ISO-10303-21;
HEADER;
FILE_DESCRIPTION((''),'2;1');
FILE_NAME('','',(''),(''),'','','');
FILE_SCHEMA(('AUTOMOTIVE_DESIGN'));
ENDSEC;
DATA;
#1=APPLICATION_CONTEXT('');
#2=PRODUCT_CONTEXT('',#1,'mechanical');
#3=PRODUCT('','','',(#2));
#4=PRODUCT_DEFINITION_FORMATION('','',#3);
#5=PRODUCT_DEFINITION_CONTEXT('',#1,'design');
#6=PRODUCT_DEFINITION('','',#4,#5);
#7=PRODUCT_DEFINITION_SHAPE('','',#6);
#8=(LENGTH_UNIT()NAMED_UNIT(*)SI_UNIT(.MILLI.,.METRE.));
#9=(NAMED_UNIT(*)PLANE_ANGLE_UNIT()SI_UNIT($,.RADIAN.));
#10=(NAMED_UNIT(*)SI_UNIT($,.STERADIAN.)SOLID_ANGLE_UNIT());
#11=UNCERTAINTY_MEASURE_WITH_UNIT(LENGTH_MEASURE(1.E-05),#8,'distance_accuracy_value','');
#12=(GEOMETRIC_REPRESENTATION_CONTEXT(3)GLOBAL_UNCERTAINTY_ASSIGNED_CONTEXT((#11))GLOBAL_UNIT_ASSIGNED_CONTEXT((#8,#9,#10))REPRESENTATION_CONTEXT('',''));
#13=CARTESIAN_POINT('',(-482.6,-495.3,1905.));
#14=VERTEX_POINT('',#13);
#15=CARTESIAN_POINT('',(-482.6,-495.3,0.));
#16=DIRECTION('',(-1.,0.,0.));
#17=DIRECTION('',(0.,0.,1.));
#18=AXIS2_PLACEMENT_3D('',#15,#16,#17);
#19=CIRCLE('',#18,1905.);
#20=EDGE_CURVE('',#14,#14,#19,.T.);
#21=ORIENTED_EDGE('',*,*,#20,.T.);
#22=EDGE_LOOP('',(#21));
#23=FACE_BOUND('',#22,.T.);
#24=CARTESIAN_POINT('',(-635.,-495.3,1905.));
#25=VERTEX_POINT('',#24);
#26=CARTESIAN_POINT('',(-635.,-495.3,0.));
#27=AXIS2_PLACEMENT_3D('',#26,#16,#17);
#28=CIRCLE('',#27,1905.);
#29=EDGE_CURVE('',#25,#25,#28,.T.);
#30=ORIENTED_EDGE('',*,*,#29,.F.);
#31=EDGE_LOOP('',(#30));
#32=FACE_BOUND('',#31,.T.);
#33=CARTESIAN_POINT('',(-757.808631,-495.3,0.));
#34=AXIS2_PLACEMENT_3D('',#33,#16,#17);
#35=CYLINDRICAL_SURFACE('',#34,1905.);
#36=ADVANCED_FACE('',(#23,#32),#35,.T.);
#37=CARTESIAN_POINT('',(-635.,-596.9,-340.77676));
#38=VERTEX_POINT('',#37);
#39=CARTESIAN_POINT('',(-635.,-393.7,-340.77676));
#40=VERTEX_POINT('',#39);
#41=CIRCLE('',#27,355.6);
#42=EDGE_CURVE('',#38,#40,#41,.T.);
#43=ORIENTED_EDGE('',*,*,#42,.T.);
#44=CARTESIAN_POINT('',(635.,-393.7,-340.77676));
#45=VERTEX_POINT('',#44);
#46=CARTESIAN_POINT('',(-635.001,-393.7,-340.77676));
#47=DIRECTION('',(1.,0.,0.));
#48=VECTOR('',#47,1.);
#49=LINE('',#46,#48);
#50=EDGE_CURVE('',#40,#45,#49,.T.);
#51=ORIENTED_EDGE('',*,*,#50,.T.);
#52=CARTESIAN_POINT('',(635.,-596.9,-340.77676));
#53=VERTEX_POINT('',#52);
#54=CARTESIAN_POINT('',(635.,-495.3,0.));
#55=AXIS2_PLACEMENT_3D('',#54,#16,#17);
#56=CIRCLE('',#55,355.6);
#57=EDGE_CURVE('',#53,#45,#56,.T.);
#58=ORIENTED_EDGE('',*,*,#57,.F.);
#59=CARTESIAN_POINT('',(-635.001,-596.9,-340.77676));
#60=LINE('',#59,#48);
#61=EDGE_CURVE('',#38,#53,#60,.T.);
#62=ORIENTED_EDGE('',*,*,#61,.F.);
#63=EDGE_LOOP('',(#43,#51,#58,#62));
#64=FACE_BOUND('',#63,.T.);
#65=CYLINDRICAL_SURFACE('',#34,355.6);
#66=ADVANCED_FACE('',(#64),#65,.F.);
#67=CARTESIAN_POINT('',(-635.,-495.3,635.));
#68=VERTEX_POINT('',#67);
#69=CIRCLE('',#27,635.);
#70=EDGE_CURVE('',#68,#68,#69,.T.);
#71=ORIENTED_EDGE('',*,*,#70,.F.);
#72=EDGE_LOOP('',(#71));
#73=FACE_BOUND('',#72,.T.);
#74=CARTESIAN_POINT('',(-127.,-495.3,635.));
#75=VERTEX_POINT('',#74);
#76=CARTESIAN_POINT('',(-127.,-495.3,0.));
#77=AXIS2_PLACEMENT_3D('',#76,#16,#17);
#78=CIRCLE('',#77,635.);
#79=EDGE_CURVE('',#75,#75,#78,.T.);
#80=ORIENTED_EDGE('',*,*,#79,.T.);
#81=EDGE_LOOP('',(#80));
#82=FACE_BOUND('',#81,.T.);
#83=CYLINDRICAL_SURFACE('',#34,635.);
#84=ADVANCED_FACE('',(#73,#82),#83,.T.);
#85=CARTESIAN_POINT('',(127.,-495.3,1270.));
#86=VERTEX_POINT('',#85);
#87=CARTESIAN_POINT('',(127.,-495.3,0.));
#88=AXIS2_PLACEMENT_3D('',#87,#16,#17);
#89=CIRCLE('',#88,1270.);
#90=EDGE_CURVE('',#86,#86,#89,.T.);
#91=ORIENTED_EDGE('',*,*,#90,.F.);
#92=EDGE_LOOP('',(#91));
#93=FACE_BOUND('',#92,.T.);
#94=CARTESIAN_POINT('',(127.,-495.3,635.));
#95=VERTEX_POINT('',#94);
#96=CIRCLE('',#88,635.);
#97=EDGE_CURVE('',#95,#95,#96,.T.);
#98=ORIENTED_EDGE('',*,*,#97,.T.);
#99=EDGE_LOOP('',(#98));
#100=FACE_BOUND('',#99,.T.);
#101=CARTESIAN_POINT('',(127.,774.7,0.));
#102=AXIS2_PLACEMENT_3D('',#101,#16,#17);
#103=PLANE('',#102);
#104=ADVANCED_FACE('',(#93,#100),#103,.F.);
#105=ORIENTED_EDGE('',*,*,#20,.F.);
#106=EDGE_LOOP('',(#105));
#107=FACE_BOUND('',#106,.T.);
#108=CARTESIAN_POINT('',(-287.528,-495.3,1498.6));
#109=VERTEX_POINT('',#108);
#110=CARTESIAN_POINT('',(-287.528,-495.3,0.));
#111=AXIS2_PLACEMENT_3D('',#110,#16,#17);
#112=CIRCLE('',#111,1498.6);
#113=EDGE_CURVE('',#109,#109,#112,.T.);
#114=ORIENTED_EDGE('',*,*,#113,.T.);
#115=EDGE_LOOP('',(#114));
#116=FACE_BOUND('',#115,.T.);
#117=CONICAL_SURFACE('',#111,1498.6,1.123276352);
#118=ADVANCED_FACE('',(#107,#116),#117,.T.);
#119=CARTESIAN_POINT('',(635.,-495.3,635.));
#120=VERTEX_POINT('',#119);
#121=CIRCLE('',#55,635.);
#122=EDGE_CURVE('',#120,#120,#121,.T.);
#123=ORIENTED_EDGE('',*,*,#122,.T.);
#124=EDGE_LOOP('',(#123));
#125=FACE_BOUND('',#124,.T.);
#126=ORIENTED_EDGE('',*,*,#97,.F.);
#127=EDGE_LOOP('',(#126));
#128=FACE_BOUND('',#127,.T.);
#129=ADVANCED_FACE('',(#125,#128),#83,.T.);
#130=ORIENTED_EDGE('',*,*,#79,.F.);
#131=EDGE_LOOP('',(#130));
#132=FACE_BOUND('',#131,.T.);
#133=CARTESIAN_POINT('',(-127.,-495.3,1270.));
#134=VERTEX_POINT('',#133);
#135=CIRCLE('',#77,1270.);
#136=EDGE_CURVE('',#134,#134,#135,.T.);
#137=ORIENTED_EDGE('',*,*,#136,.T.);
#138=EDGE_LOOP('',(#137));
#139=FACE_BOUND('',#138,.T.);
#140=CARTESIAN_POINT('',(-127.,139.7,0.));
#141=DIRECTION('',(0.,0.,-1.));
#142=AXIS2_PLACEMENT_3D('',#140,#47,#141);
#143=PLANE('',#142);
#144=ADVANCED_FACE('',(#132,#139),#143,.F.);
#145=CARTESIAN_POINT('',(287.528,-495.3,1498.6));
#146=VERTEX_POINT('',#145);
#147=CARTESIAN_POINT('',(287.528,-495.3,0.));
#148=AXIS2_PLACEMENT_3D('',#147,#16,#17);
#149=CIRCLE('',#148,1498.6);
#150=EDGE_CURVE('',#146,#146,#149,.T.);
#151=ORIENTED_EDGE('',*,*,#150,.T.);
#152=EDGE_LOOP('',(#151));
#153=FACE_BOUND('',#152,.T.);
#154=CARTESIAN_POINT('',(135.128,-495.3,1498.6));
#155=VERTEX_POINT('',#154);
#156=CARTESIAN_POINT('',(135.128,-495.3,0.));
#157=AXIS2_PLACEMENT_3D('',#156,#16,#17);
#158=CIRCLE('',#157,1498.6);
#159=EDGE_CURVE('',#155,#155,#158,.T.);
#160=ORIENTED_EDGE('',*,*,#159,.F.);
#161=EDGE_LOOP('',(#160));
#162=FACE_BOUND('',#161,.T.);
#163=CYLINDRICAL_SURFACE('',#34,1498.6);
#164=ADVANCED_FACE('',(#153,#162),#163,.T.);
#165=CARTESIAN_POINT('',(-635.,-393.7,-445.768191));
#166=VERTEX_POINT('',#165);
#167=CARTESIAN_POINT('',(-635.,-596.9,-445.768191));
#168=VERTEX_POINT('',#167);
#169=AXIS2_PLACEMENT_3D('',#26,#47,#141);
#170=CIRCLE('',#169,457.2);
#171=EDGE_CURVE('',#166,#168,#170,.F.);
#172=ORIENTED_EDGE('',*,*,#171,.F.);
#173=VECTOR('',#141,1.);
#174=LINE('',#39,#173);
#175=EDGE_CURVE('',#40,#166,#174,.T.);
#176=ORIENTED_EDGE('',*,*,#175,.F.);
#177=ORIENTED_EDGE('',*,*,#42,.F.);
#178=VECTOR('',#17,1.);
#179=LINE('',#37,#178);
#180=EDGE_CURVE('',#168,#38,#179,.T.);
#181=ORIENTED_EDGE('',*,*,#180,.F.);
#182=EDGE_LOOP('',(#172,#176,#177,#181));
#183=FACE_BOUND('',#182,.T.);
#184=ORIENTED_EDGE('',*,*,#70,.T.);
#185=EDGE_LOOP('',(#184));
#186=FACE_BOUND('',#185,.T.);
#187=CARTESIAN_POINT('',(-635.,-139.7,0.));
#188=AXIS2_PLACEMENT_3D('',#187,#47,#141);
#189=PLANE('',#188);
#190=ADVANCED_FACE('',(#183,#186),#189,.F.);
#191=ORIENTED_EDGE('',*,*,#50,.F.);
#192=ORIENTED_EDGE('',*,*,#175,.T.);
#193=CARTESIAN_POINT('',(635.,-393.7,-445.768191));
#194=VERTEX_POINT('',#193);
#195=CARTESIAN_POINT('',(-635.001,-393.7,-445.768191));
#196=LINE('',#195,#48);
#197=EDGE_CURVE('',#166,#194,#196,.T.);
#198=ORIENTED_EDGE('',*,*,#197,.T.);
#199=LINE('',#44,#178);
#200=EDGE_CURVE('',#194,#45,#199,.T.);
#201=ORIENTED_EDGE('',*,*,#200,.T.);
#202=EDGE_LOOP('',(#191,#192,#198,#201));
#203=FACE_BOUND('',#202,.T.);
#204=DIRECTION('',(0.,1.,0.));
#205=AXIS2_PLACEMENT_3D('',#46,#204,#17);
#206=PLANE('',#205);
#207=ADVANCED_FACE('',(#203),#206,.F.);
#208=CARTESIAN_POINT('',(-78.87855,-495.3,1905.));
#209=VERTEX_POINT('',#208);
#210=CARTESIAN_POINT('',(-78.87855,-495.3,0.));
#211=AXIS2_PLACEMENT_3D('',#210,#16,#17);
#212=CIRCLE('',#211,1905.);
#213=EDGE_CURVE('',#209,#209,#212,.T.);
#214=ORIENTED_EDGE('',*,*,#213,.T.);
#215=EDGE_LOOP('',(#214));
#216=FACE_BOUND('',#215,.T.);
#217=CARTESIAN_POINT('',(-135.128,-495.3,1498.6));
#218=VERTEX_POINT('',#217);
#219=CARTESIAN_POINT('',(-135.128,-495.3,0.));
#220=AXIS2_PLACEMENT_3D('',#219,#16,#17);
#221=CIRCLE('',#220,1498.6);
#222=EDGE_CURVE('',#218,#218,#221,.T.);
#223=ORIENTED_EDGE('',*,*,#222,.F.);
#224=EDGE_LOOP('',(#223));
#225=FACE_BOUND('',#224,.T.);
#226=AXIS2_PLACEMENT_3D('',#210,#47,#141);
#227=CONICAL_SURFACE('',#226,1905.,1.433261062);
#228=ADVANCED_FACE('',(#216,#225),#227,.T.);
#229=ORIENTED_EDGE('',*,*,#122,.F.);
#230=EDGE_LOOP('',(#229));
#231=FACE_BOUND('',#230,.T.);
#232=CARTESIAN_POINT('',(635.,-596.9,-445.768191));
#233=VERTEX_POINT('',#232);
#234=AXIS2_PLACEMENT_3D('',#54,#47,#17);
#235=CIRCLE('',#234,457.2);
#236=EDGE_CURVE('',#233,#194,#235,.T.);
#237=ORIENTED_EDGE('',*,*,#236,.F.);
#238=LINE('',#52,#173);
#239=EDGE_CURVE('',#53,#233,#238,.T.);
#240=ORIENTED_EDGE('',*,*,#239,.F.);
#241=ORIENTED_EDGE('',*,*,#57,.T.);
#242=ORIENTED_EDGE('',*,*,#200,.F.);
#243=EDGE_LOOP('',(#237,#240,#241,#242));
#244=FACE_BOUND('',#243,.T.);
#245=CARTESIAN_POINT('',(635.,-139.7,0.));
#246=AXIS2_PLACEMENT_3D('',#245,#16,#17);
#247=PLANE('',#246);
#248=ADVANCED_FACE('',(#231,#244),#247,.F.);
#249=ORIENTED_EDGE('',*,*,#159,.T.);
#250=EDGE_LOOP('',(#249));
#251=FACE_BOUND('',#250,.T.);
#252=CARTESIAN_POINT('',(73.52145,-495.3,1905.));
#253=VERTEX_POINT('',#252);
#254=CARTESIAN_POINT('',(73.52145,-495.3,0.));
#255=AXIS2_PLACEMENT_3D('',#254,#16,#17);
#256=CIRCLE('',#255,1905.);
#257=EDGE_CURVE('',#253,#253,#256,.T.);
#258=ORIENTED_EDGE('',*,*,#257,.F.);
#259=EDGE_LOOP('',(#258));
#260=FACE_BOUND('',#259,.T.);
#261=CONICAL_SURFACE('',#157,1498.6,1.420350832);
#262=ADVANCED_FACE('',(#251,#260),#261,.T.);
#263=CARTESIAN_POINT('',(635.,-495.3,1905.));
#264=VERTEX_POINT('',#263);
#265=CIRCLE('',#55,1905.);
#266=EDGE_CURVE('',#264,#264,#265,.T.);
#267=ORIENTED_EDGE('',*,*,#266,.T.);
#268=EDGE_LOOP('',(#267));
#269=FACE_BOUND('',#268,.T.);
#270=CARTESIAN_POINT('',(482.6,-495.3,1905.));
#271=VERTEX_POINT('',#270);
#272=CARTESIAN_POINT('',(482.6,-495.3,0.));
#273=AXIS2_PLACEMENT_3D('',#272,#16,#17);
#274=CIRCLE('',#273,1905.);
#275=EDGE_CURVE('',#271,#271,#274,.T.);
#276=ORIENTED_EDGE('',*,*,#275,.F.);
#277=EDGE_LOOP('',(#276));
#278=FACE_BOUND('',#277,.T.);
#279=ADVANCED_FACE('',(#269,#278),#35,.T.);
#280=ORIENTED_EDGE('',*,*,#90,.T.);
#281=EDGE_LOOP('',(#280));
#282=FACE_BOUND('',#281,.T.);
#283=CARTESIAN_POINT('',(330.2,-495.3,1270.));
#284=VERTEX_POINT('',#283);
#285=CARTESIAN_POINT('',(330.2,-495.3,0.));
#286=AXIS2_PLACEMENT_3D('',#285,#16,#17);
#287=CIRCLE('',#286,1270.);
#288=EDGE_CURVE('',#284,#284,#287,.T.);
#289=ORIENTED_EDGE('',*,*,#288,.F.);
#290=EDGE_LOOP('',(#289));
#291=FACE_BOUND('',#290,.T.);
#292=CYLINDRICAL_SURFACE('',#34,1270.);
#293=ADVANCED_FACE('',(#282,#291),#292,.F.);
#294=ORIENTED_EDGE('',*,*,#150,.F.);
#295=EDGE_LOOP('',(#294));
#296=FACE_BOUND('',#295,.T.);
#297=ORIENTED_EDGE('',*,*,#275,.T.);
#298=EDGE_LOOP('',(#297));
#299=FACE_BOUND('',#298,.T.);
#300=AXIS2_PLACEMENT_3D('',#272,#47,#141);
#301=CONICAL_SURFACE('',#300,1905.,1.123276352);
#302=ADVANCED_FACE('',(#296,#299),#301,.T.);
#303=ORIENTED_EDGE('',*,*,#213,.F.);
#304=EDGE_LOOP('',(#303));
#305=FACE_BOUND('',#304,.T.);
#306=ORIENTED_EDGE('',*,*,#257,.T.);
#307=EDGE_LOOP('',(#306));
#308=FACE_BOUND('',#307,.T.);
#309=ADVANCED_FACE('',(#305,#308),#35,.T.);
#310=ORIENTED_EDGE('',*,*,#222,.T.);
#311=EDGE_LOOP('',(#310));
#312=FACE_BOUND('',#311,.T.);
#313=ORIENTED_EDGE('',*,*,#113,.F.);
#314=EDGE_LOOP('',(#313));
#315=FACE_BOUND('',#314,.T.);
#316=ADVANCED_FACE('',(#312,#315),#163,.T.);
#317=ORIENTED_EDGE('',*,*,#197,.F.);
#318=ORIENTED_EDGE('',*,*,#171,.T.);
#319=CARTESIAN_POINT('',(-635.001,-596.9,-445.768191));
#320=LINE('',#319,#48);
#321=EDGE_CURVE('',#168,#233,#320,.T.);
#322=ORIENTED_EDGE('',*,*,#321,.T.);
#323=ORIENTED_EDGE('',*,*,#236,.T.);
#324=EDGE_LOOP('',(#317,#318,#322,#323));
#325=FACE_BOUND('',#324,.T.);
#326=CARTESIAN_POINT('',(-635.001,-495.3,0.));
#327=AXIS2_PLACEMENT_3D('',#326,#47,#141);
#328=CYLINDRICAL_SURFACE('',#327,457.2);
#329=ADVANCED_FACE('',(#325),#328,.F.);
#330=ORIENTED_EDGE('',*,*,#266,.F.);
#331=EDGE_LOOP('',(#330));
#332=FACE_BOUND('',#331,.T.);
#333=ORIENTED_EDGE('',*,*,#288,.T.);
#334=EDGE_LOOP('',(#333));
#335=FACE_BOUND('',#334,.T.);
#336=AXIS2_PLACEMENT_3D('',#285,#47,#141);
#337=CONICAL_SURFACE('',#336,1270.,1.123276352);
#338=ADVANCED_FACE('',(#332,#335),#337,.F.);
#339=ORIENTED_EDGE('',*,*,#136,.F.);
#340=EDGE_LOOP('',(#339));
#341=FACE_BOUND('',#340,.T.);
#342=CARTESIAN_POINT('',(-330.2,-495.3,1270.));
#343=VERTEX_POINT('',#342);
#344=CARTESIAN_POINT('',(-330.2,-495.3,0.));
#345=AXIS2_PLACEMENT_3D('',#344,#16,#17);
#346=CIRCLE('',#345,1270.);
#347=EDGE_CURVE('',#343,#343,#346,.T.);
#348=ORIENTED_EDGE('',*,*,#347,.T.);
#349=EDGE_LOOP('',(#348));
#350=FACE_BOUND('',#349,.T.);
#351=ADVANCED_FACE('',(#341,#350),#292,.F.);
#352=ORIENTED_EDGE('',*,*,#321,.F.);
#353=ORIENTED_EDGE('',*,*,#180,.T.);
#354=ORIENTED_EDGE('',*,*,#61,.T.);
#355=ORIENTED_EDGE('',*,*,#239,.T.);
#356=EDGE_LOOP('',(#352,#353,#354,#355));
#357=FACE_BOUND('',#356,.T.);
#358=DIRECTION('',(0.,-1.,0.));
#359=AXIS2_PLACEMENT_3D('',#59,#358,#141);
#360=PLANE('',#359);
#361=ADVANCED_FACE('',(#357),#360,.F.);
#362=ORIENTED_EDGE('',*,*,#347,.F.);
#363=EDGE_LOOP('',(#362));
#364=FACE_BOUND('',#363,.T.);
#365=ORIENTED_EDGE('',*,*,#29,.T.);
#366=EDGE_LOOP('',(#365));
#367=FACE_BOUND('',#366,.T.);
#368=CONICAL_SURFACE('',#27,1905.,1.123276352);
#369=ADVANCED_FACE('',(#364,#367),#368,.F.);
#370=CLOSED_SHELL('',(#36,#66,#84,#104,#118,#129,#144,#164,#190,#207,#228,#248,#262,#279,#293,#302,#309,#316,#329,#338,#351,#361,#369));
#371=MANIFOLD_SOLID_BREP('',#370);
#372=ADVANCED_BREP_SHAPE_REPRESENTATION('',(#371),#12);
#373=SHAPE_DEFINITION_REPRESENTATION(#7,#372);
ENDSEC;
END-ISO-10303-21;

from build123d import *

# Parameters (mm, degrees)
CORTAR_EXTRUIR2_REACH = 3319.132


with BuildPart() as part:
    # Croquis3 → Revolución1 (revolve)
    with BuildSketch(Plane.XY, mode=Mode.PRIVATE) as revoluci_n1_sk:
        Polygon((-127, 139.7), (-127, 774.7), (-330.2, 774.7), (-635, 1409.7), (-482.6, 1409.7), (-287.528, 1003.3), (-135.128, 1003.3), (-78.878549621, 1409.7), (73.521450379, 1409.7), (135.128, 1003.3), (287.528, 1003.3), (482.6, 1409.7), (635, 1409.7), (330.2, 774.7), (127, 774.7), (127, 139.7), (635, 139.7), (635, -139.7), (-635, -139.7), (-635, 139.7), align=None)
    revolve(revoluci_n1_sk.sketch.rotate(Axis((-757.808630679, -495.3, 0), (1, 0, 0)), 90), axis=Axis((-757.808630679, -495.3, 0), (1, 0, 0)))

    # Croquis4 → Cortar-Extruir2 (cut, up to next)
    with BuildSketch(Plane(origin=(635, 0, 0), x_dir=(0, 0, -1), z_dir=(1, 0, 0)), mode=Mode.PRIVATE) as cortar_extruir2_sk1:
        with BuildLine():
            Line((340.776759771, -393.7), (445.76819088, -393.7))
            ThreePointArc((445.76819088, -393.7), (457.2, -495.3), (445.76819088, -596.9))
            Line((445.76819088, -596.9), (340.776759771, -596.9))
            ThreePointArc((340.776759771, -596.9), (355.6, -495.3), (340.776759771, -393.7))
        make_face()
    cortar_extruir2_tool1 = extrude(cortar_extruir2_sk1.sketch, amount=-CORTAR_EXTRUIR2_REACH, mode=Mode.PRIVATE) & part.part
    add(cortar_extruir2_tool1.solids().sort_by_distance((635, -495.3, -402.016611))[0], mode=Mode.SUBTRACT)


solid = part.part
